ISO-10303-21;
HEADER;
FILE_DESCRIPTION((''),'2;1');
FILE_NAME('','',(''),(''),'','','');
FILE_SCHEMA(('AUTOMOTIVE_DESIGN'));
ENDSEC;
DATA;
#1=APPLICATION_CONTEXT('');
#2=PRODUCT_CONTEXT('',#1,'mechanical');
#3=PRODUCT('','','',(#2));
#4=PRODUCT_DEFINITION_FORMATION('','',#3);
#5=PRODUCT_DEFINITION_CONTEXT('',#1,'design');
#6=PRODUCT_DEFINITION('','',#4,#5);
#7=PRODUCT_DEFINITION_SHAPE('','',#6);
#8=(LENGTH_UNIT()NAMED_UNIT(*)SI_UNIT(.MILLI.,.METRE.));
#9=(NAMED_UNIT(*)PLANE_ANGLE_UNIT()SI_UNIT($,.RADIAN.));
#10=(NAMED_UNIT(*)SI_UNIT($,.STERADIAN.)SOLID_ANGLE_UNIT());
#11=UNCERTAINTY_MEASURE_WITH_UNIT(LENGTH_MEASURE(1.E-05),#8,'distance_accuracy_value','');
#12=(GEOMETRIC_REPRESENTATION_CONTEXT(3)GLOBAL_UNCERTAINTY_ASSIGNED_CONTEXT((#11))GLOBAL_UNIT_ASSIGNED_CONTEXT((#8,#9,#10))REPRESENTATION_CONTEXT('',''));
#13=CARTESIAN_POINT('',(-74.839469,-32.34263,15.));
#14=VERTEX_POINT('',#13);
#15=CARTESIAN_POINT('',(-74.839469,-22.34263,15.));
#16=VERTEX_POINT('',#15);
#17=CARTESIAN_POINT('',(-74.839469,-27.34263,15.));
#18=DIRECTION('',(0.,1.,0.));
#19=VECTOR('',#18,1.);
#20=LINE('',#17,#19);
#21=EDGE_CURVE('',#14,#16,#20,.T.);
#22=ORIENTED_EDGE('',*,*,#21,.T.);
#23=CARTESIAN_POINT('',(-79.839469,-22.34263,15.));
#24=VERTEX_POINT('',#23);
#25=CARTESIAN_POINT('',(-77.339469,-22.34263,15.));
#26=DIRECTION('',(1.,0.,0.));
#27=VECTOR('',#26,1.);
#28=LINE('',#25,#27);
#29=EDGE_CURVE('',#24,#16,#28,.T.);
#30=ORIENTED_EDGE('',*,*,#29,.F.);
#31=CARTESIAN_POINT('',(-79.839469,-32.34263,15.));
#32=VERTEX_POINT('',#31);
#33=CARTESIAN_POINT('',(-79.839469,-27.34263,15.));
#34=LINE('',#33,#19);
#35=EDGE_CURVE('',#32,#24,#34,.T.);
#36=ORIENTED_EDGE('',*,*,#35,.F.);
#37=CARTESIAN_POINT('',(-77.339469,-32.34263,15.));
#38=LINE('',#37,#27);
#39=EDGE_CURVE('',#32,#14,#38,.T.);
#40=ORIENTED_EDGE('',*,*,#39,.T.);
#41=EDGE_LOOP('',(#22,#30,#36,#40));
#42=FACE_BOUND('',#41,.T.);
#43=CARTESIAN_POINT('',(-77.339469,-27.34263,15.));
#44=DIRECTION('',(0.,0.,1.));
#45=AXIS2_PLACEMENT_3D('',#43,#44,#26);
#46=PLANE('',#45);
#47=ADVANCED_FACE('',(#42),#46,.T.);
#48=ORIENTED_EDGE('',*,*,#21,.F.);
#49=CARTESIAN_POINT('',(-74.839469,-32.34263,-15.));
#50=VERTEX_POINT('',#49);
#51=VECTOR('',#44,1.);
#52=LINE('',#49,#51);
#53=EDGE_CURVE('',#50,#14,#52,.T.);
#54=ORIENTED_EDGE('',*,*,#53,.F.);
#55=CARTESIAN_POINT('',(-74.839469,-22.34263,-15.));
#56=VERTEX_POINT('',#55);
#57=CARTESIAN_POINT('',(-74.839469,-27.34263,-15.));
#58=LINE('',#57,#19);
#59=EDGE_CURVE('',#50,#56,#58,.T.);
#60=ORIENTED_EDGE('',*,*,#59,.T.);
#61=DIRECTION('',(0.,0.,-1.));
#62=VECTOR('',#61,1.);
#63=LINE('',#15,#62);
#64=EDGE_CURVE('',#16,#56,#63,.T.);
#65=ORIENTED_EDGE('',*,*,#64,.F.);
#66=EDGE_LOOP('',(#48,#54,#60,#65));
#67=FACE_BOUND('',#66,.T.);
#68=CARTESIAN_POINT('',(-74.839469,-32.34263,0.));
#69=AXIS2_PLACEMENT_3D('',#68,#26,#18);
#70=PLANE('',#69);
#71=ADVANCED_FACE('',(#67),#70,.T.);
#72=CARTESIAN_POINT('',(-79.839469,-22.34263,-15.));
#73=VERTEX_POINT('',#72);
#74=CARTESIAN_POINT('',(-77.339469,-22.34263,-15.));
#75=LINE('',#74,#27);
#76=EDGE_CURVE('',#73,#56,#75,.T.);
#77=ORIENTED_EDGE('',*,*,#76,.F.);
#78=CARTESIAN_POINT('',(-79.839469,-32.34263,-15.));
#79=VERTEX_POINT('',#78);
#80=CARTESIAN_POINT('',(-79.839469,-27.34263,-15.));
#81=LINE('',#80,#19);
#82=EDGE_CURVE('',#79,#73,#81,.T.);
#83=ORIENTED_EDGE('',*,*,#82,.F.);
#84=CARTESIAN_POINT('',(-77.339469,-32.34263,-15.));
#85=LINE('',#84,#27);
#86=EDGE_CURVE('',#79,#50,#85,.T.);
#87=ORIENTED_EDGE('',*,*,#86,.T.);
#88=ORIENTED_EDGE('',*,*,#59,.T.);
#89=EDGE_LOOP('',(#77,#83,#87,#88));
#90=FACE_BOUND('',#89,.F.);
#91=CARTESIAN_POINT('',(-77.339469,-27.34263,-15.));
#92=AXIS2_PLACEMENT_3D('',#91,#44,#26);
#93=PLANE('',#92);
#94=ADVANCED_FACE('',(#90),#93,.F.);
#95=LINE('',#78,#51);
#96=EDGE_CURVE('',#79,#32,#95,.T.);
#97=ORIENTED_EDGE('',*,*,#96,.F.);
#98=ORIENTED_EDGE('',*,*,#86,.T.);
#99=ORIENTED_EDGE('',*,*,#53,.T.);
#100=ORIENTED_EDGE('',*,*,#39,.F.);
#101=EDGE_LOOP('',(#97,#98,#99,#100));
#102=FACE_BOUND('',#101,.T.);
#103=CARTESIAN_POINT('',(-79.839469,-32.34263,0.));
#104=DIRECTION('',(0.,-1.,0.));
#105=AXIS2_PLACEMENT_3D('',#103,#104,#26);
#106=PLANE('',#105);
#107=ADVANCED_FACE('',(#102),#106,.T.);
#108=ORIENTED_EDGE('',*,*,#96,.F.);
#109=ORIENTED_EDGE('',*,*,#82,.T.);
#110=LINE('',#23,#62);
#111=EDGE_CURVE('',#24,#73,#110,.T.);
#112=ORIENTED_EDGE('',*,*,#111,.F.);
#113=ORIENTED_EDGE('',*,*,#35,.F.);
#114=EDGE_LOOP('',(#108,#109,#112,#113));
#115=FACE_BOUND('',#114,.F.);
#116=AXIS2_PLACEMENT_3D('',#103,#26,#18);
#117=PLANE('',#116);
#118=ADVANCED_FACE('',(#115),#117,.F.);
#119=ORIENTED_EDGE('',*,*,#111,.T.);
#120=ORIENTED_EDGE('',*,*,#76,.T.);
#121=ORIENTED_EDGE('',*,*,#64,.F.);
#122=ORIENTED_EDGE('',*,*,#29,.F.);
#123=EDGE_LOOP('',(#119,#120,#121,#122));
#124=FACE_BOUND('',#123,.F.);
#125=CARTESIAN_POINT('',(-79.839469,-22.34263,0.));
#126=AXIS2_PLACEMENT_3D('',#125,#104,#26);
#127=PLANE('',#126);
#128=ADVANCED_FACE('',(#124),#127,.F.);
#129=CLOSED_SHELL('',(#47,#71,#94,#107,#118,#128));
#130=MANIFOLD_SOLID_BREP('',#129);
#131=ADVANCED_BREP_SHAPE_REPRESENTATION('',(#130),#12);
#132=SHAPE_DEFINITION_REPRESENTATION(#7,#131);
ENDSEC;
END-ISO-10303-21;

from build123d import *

# Parameters (mm, degrees)
ESQUISSE3_W        = 5
ESQUISSE3_H        = 10
BOSS_EXTRU_3_DEPTH = 15


with BuildPart() as part:
    # Esquisse3 → Boss.-Extru.3 (new body, symmetric)
    with BuildSketch(Plane.XY):
        with Locations((-77.339468619, -27.342630186)):
            Rectangle(ESQUISSE3_W, ESQUISSE3_H)
    extrude(amount=BOSS_EXTRU_3_DEPTH, both=True)


solid = part.part
